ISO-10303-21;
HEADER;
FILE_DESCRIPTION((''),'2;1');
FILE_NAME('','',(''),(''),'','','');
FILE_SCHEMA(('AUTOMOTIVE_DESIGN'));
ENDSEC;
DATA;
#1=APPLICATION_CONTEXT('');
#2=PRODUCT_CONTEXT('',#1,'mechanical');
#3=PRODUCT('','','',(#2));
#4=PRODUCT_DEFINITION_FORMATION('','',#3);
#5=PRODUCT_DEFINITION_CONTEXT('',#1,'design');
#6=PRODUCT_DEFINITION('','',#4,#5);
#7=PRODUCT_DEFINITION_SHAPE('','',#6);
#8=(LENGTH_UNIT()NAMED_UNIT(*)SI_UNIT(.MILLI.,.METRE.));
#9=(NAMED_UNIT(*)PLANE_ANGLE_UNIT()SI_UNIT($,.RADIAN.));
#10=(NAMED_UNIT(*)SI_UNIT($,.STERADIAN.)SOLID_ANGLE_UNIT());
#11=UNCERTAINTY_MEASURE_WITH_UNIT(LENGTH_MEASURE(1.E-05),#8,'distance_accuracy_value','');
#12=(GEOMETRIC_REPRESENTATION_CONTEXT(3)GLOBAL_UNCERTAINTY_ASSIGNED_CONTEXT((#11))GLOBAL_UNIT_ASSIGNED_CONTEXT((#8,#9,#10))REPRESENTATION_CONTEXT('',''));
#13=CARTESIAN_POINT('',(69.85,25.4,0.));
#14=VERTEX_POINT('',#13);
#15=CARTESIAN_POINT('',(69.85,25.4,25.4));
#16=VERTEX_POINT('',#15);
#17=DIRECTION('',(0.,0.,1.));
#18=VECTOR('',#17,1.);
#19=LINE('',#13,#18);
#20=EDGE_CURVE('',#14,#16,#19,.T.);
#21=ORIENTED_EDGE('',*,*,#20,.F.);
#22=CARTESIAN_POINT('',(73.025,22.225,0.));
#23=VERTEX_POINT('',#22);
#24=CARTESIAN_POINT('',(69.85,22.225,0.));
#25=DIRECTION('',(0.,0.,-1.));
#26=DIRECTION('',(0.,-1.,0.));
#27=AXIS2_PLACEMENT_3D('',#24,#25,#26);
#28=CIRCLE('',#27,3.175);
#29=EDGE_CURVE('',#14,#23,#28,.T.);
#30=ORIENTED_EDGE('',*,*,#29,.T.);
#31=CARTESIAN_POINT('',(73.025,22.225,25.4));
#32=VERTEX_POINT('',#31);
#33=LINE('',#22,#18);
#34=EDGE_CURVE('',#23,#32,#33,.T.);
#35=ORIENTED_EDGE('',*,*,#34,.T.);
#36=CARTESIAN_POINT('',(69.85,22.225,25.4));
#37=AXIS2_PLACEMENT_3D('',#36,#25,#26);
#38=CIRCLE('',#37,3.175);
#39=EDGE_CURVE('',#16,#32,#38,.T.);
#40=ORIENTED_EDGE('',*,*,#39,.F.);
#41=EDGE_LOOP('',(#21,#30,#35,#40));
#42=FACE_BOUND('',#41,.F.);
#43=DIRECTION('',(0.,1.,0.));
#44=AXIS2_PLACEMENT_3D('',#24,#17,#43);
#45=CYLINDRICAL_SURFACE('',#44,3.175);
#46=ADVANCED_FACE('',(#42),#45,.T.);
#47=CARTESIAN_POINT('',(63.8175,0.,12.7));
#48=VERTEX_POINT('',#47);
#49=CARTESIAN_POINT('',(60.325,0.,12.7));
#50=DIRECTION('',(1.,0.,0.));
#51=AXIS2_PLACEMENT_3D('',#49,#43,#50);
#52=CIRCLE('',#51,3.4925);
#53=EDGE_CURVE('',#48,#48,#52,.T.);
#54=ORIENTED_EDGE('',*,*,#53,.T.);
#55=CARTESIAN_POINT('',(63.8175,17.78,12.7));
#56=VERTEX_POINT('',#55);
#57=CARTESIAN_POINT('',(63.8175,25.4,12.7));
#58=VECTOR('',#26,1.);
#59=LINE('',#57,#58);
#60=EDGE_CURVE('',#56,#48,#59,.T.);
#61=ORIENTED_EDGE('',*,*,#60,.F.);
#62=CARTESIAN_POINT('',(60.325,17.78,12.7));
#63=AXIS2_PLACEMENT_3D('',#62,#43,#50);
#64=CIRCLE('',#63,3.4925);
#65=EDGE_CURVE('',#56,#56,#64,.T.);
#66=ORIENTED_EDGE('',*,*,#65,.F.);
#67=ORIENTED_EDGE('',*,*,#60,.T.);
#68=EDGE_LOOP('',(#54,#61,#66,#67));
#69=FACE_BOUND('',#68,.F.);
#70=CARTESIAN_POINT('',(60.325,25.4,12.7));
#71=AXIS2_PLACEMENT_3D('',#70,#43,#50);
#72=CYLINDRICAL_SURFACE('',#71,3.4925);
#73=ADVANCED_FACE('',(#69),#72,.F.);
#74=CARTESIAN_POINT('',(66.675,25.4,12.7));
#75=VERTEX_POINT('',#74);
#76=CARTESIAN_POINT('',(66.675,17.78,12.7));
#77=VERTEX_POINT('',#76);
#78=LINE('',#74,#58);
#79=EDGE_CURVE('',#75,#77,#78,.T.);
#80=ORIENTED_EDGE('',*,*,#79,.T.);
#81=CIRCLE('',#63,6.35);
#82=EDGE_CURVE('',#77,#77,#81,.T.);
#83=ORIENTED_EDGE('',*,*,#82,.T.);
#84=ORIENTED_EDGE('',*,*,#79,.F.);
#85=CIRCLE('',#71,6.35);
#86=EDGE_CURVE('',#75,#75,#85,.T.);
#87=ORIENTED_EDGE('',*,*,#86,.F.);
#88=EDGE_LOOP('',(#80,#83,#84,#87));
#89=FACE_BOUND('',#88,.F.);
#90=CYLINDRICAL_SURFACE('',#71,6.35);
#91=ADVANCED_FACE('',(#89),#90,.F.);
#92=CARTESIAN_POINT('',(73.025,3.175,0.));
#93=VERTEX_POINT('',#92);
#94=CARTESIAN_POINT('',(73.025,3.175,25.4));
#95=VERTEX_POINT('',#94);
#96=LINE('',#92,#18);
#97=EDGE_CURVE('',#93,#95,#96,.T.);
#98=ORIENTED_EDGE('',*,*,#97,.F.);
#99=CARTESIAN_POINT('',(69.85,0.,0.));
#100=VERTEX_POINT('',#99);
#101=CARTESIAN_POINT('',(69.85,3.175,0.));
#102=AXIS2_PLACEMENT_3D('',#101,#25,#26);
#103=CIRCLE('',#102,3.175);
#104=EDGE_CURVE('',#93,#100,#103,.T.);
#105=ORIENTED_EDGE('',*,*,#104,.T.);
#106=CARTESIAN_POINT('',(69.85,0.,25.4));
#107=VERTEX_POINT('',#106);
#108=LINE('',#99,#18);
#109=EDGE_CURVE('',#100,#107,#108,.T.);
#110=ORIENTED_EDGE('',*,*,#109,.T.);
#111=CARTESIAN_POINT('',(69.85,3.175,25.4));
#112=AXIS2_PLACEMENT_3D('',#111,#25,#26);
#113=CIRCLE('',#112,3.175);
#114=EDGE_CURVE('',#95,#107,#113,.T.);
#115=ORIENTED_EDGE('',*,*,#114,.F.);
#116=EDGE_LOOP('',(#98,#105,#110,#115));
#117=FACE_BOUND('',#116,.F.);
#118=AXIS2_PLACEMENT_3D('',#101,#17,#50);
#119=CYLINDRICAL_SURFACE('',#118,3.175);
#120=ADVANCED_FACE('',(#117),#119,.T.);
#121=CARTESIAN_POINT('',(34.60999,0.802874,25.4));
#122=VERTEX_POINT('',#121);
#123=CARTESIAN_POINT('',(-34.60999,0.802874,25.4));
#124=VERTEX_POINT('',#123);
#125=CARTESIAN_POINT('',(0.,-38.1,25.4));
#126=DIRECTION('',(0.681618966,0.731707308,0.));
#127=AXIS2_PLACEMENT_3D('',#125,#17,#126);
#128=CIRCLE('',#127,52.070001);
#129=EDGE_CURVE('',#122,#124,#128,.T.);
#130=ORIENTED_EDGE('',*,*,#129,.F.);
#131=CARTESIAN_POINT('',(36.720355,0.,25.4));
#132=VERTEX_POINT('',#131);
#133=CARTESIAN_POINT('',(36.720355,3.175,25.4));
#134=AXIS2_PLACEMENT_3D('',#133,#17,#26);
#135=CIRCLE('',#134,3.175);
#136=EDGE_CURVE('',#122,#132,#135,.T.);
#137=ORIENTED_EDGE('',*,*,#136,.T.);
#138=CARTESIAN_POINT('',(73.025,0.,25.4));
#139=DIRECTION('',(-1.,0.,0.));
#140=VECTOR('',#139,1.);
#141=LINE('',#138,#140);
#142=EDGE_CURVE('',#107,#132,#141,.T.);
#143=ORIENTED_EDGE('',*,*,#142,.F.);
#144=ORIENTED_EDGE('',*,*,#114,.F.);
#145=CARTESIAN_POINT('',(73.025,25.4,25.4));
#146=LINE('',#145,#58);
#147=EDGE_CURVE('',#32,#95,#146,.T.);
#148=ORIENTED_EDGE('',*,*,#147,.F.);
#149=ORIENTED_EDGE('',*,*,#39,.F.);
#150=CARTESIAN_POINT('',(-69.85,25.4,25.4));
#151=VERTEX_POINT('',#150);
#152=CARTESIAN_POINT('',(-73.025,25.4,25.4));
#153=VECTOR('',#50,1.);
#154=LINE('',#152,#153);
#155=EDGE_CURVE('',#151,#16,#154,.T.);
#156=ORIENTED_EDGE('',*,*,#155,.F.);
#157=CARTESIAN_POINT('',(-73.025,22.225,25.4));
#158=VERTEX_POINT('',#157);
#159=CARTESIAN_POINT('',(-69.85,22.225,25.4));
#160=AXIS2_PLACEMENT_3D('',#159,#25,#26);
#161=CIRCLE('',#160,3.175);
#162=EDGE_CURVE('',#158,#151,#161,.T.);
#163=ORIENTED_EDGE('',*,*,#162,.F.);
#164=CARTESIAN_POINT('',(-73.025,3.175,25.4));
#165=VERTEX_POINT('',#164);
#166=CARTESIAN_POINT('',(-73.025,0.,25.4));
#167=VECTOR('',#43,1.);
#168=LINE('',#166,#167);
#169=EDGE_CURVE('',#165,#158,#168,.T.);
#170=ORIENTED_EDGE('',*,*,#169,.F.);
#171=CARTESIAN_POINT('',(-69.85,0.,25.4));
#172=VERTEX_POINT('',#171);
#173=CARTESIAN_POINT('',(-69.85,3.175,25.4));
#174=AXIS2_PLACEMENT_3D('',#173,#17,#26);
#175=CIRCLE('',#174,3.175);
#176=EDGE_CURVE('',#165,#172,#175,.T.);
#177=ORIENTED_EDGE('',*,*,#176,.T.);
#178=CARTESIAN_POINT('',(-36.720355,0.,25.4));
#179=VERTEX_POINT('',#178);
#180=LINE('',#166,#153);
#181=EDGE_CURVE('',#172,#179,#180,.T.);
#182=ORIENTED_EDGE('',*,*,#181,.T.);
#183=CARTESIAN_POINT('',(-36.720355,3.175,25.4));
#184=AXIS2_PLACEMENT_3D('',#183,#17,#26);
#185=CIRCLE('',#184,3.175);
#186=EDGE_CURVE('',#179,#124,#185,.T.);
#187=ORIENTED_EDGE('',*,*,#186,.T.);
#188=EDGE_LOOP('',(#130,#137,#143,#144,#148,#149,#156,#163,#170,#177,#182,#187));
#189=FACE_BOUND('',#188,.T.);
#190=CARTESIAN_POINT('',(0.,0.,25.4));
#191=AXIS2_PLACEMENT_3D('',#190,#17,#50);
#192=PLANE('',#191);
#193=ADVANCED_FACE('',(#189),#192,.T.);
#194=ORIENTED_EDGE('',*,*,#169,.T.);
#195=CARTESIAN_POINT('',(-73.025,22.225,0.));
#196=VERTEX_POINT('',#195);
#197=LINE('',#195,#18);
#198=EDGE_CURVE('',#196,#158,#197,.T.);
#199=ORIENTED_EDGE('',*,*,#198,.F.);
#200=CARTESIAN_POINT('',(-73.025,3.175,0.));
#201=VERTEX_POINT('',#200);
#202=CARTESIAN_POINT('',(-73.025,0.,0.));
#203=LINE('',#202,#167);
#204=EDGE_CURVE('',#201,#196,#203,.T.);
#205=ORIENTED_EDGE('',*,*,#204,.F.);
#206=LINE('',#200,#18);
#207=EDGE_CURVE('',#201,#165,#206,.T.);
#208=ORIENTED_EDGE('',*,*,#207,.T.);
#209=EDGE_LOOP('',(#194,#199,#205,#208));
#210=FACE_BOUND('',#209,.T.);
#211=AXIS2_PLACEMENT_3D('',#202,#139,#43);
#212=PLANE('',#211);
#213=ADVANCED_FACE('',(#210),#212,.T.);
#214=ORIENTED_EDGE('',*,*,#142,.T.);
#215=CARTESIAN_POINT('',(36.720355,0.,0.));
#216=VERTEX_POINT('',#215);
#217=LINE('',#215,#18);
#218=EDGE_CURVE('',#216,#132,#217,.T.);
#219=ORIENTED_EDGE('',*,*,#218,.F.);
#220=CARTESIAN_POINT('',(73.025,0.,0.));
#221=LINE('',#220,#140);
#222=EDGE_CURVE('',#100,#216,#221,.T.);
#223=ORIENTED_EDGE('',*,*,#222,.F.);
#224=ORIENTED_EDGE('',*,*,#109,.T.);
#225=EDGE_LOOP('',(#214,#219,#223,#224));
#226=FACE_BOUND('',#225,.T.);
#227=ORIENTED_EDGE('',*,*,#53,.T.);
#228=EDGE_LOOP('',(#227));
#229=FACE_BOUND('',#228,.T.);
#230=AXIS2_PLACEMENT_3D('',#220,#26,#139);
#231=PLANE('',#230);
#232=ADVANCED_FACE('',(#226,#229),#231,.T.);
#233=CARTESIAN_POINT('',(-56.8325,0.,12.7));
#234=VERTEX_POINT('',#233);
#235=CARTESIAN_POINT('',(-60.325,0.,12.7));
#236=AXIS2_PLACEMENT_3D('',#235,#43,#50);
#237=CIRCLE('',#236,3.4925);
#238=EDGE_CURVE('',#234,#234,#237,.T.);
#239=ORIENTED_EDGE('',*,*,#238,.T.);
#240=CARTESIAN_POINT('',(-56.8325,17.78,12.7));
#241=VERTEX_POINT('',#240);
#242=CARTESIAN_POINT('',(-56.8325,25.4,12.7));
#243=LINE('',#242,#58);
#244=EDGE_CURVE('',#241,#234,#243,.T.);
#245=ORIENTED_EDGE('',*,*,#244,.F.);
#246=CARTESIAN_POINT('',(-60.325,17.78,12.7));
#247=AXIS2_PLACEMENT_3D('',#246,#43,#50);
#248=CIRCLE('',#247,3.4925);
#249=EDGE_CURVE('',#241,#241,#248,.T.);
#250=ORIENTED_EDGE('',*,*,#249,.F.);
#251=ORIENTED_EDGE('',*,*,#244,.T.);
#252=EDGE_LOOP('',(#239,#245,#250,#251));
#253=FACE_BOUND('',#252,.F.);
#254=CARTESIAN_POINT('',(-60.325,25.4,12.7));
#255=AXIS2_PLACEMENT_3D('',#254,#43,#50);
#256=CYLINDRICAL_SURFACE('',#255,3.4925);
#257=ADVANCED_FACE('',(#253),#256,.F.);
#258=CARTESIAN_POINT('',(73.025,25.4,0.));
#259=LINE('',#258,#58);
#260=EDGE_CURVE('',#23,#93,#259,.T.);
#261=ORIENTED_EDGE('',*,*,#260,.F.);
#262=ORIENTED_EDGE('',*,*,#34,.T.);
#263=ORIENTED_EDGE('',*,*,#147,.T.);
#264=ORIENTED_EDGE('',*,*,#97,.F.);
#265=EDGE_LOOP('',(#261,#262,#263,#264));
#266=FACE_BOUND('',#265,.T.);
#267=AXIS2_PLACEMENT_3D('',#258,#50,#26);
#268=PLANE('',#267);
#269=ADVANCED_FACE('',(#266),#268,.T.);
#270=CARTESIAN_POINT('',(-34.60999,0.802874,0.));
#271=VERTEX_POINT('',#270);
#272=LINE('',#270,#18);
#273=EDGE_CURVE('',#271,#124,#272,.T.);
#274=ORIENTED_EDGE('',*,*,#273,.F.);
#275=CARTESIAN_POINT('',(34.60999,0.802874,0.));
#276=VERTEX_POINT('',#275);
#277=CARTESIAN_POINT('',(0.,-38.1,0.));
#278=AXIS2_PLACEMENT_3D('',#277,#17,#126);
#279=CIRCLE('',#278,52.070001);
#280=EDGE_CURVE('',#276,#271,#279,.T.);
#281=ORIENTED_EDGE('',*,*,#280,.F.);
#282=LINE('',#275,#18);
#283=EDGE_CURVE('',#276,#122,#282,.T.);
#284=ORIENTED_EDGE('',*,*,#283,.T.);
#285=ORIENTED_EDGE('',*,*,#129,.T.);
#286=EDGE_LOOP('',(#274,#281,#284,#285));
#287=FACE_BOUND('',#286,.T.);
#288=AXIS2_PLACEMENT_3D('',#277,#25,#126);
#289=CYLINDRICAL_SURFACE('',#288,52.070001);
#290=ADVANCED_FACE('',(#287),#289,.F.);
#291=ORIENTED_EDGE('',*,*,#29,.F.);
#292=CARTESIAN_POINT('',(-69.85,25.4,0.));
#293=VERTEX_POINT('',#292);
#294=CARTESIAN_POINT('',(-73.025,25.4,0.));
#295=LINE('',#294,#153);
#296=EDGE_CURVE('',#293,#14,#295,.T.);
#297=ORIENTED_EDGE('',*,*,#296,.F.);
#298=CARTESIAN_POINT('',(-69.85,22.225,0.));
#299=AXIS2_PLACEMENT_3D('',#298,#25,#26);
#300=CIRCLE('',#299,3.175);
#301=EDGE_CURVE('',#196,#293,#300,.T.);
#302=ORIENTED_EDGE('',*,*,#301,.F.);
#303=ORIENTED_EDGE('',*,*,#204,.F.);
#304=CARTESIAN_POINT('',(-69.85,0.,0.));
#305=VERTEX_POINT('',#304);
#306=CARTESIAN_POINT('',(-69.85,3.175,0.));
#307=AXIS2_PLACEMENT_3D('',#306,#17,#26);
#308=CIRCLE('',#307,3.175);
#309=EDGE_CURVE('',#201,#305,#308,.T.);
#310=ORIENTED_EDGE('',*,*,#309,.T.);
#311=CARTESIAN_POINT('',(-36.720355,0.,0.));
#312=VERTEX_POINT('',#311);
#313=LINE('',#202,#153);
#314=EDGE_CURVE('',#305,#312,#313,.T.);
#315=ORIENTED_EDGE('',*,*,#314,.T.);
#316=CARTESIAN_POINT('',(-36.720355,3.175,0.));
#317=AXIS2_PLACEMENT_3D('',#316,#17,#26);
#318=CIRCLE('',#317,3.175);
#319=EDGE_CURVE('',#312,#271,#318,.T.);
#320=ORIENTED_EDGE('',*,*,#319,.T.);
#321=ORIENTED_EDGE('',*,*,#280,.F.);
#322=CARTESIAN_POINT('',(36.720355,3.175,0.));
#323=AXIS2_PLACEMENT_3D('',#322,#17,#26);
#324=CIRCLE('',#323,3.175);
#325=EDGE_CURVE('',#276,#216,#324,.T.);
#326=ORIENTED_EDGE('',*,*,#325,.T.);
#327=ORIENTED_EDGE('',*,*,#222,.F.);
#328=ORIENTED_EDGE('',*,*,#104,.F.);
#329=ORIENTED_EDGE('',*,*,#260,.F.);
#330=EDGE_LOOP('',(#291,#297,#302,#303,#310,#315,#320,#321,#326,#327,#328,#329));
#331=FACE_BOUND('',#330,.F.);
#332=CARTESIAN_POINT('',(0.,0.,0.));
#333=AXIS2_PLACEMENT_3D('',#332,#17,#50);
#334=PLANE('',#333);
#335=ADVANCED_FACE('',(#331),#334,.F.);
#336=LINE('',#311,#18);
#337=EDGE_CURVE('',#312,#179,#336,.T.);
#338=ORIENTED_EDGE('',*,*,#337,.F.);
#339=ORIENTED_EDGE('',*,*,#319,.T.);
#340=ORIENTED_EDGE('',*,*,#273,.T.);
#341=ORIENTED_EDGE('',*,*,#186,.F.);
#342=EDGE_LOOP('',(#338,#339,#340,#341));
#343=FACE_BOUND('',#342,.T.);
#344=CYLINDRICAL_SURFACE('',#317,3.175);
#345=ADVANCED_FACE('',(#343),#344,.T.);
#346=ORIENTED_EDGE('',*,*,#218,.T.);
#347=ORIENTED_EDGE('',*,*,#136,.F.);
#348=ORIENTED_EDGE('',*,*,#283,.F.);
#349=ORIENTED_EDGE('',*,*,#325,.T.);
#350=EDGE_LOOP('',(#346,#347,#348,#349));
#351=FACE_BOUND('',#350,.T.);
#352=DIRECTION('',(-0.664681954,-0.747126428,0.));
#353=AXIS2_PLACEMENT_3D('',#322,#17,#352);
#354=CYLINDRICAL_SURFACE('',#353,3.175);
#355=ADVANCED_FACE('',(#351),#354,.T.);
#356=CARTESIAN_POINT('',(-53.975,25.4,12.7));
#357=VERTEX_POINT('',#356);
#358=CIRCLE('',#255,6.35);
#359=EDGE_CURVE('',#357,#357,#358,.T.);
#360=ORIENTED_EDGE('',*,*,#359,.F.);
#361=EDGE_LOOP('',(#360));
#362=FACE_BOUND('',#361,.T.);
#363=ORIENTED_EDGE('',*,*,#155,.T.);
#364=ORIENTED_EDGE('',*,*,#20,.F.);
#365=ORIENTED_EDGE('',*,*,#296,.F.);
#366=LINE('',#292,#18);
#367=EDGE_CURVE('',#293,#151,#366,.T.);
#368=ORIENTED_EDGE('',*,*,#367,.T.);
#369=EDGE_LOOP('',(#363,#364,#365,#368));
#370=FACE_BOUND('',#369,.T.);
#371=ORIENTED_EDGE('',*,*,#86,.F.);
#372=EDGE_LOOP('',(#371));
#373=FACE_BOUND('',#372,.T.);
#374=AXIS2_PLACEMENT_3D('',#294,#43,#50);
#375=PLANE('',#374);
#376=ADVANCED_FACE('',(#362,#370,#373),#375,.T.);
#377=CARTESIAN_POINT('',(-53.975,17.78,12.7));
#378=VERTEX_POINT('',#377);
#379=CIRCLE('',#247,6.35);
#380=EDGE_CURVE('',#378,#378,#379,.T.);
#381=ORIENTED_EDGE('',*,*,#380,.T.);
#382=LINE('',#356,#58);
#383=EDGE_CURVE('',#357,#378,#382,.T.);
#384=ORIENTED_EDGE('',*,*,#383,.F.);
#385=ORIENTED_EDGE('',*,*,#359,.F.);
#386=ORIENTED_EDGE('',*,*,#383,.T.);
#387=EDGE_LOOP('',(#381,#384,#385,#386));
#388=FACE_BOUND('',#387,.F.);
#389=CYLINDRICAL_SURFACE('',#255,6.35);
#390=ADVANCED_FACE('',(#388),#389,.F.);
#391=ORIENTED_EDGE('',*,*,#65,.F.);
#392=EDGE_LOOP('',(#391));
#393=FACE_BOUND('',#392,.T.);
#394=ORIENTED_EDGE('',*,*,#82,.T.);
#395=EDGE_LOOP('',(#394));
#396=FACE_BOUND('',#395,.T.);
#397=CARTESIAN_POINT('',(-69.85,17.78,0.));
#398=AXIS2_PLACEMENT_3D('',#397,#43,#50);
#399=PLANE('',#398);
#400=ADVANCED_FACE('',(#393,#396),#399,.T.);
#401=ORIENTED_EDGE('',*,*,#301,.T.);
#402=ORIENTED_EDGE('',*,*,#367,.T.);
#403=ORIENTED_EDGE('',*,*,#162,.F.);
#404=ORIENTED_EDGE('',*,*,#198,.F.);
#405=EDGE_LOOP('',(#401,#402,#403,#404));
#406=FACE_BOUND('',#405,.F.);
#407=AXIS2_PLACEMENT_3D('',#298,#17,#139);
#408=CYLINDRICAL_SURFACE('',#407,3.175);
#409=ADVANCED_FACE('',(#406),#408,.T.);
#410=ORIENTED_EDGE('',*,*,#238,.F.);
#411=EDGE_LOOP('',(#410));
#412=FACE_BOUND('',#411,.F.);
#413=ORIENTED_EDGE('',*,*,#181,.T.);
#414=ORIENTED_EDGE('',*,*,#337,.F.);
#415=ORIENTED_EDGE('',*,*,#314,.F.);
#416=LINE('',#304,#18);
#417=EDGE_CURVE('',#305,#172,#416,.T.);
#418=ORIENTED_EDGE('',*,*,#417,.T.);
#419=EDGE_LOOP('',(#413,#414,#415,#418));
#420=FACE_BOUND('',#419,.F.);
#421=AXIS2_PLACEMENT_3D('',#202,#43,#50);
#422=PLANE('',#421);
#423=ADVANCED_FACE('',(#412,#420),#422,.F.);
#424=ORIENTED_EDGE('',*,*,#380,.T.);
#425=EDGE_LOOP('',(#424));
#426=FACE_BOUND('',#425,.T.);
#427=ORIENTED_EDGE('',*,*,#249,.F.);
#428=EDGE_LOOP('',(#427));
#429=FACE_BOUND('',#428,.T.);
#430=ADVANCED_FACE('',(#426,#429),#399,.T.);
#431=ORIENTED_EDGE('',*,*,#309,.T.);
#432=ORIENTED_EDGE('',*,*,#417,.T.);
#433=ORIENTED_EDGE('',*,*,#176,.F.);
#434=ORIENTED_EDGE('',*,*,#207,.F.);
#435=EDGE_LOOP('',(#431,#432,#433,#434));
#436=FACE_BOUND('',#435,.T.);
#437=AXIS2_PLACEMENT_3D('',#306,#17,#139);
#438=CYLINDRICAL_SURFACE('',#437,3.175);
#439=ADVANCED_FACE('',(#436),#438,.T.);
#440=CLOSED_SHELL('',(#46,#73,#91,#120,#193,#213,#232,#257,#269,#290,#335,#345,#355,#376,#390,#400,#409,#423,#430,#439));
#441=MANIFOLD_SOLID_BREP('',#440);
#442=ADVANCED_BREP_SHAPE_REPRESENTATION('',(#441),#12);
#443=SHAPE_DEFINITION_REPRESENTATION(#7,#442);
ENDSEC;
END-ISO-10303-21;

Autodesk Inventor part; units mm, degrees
ref_plane "YZ Plane" through (0, 0, 0) normal (1, 0, 0) x (0, 1, 0)
ref_plane "XZ Plane" through (0, 0, 0) normal (0, 1, 0) x (-1, 0, 0)
ref_plane "XY Plane" through (0, 0, 0) normal (0, 0, 1) x (1, 0, 0)
sketch "Sketch1" plane through (0, 0, 0) normal (0, 0, 1) x (1, 0, 0)
  line L0 (-73.025, 0) -> (-73.025, 25.4)
  line L1 (-73.025, 25.4) -> (73.025, 25.4)
  line L2 (73.025, 25.4) -> (73.025, 0)
  line L3 (73.025, 0) -> (35.4919, 0)
  line L4 (-73.025, 0) -> (-35.4919, 0)
  arc A0 (35.4919, 0) -> (-35.4919, 0) centre (0, -38.1) ccw
  point P0 (0, 0)
  dimension "d1" = 104.14
  dimension "d2" = 38.1
  dimension "d3" = 146.05
  dimension "d4" = 25.4
extrude "Extrusion1" add sketch "Sketch1" along normal blind 25.4
sketch "Sketch2" plane through (-73.025, 25.4, 0) normal (0, 1, 0) x (1, 0, 0)
  line L0 (0, 0) -> (146.05, 0) construction
  line L1 (0, 0) -> (0, -25.4) construction
  line L2 (146.05, -25.4) -> (0, -25.4) construction
  line L3 (146.05, 0) -> (146.05, -25.4) construction
  circle A0 centre (12.7, -12.7) radius 3.4925
  circle A1 centre (133.35, -12.7) radius 3.4925
  point P0 (73.025, 0)
  dimension "d7" = 6.985
  dimension "d8" = 6.985
  dimension "d9" = 12.7
  dimension "d10" = 12.7
extrude "Extrusion2" cut sketch "Sketch2" against normal through all
fillet "Fillet1" radius 3.175 6 edges at (73.025, 25.4, 12.7) (-73.025, 25.4, 12.7) (-73.025, 0, 12.7) (-35.4919, 0, 12.7) (35.4919, 0, 12.7) (73.025, 0, 12.7)
sketch "Sketch3" plane through (-69.85, 25.4, 0) normal (0, 1, 0) x (1, 0, 0)
  line L0 (0, -25.4) -> (0, 0) construction
  line L1 (139.7, -25.4) -> (0, -25.4) construction
  line L2 (139.7, 0) -> (139.7, -25.4) construction
  line L3 (0, 0) -> (139.7, 0) construction
  circle A0 centre (9.525, -12.7) radius 3.4925 construction
  circle A1 centre (130.175, -12.7) radius 3.4925 construction
  circle A2 centre (9.525, -12.7) radius 3.4925 projected
  circle A3 centre (9.525, -12.7) radius 6.35
  circle A4 centre (130.175, -12.7) radius 6.35
  point P0 (69.85, 0)
  dimension "d14" = 12.7
  dimension "d15" = 12.7
extrude "Extrusion3" cut sketch "Sketch3" against normal blind 7.62
properties part number "Top" material "ABS Plastic"
